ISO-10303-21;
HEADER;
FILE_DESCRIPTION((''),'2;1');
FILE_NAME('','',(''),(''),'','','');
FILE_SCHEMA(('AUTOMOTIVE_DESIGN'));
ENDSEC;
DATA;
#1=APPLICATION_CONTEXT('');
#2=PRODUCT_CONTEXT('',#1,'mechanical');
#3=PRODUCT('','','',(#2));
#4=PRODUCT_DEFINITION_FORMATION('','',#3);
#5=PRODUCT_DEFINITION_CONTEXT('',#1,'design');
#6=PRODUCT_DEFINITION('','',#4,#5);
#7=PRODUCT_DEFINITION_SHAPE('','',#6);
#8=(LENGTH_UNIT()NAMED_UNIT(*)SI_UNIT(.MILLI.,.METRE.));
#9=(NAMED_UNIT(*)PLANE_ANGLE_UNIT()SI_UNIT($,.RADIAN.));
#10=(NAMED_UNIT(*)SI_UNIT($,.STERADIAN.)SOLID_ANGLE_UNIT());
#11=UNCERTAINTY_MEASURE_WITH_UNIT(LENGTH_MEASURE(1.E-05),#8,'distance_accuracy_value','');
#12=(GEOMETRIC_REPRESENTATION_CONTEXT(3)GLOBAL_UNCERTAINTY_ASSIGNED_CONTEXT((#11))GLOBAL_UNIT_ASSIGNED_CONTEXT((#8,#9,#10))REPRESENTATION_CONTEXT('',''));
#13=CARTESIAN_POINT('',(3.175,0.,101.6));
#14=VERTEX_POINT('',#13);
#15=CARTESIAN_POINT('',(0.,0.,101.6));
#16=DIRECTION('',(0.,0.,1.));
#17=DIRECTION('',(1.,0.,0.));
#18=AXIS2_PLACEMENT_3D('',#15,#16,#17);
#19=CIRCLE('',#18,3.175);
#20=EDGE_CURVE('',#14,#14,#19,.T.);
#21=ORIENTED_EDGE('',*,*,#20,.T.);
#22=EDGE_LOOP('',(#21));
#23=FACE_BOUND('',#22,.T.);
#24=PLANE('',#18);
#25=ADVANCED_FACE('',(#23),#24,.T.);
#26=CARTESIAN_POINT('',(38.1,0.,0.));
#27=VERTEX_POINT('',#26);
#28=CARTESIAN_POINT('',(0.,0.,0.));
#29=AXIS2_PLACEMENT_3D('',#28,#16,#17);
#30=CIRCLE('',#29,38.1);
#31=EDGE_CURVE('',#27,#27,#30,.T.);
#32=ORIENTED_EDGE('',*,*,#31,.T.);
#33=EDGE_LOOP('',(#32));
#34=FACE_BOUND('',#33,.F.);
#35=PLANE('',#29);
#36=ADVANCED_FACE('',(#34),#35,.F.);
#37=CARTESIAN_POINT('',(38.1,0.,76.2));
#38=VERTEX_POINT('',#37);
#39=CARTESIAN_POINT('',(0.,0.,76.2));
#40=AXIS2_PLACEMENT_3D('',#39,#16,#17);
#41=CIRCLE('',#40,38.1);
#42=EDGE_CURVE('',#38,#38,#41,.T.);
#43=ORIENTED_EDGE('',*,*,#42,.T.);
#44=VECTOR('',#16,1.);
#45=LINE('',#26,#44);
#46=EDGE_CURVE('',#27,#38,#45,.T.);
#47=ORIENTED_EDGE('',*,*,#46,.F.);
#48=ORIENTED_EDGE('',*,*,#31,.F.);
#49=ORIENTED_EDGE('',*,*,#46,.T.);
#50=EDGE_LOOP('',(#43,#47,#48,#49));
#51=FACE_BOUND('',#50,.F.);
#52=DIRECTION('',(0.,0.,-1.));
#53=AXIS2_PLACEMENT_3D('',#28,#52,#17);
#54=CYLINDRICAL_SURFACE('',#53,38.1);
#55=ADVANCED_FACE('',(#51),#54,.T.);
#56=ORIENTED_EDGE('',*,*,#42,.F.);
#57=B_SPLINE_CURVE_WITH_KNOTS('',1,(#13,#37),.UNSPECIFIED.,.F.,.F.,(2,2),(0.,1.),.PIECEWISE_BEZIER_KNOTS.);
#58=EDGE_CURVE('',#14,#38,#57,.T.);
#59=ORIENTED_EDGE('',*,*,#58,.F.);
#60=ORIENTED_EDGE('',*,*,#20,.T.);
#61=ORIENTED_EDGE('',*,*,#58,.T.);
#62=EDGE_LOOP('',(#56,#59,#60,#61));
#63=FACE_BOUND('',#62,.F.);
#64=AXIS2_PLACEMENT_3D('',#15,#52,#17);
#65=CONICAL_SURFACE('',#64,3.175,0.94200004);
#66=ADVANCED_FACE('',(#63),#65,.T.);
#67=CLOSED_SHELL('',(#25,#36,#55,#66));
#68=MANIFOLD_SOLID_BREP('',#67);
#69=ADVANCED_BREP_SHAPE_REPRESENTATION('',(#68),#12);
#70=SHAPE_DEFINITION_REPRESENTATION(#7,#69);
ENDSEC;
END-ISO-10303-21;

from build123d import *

# Parameters (mm, degrees)
F0_R      = 38.1
F1_DEPTH  = 76.2
F3_R      = 3.175
F1_FACE_R = 38.1


with BuildPart() as f1:
    # F0 (on Top) → F1 (new body)
    with BuildSketch(Plane.XY):
        Circle(F0_R)
    extrude(amount=F1_DEPTH)

    # F3 (on offset) → F4 section 0
    with BuildSketch(Plane.XY.offset(101.6)):
        Circle(F3_R)
    # F1_face (on face) → F4 section 1
    with BuildSketch(Plane.XY.offset(76.2)):
        Circle(F1_FACE_R)
    loft()


solid = f1.part
